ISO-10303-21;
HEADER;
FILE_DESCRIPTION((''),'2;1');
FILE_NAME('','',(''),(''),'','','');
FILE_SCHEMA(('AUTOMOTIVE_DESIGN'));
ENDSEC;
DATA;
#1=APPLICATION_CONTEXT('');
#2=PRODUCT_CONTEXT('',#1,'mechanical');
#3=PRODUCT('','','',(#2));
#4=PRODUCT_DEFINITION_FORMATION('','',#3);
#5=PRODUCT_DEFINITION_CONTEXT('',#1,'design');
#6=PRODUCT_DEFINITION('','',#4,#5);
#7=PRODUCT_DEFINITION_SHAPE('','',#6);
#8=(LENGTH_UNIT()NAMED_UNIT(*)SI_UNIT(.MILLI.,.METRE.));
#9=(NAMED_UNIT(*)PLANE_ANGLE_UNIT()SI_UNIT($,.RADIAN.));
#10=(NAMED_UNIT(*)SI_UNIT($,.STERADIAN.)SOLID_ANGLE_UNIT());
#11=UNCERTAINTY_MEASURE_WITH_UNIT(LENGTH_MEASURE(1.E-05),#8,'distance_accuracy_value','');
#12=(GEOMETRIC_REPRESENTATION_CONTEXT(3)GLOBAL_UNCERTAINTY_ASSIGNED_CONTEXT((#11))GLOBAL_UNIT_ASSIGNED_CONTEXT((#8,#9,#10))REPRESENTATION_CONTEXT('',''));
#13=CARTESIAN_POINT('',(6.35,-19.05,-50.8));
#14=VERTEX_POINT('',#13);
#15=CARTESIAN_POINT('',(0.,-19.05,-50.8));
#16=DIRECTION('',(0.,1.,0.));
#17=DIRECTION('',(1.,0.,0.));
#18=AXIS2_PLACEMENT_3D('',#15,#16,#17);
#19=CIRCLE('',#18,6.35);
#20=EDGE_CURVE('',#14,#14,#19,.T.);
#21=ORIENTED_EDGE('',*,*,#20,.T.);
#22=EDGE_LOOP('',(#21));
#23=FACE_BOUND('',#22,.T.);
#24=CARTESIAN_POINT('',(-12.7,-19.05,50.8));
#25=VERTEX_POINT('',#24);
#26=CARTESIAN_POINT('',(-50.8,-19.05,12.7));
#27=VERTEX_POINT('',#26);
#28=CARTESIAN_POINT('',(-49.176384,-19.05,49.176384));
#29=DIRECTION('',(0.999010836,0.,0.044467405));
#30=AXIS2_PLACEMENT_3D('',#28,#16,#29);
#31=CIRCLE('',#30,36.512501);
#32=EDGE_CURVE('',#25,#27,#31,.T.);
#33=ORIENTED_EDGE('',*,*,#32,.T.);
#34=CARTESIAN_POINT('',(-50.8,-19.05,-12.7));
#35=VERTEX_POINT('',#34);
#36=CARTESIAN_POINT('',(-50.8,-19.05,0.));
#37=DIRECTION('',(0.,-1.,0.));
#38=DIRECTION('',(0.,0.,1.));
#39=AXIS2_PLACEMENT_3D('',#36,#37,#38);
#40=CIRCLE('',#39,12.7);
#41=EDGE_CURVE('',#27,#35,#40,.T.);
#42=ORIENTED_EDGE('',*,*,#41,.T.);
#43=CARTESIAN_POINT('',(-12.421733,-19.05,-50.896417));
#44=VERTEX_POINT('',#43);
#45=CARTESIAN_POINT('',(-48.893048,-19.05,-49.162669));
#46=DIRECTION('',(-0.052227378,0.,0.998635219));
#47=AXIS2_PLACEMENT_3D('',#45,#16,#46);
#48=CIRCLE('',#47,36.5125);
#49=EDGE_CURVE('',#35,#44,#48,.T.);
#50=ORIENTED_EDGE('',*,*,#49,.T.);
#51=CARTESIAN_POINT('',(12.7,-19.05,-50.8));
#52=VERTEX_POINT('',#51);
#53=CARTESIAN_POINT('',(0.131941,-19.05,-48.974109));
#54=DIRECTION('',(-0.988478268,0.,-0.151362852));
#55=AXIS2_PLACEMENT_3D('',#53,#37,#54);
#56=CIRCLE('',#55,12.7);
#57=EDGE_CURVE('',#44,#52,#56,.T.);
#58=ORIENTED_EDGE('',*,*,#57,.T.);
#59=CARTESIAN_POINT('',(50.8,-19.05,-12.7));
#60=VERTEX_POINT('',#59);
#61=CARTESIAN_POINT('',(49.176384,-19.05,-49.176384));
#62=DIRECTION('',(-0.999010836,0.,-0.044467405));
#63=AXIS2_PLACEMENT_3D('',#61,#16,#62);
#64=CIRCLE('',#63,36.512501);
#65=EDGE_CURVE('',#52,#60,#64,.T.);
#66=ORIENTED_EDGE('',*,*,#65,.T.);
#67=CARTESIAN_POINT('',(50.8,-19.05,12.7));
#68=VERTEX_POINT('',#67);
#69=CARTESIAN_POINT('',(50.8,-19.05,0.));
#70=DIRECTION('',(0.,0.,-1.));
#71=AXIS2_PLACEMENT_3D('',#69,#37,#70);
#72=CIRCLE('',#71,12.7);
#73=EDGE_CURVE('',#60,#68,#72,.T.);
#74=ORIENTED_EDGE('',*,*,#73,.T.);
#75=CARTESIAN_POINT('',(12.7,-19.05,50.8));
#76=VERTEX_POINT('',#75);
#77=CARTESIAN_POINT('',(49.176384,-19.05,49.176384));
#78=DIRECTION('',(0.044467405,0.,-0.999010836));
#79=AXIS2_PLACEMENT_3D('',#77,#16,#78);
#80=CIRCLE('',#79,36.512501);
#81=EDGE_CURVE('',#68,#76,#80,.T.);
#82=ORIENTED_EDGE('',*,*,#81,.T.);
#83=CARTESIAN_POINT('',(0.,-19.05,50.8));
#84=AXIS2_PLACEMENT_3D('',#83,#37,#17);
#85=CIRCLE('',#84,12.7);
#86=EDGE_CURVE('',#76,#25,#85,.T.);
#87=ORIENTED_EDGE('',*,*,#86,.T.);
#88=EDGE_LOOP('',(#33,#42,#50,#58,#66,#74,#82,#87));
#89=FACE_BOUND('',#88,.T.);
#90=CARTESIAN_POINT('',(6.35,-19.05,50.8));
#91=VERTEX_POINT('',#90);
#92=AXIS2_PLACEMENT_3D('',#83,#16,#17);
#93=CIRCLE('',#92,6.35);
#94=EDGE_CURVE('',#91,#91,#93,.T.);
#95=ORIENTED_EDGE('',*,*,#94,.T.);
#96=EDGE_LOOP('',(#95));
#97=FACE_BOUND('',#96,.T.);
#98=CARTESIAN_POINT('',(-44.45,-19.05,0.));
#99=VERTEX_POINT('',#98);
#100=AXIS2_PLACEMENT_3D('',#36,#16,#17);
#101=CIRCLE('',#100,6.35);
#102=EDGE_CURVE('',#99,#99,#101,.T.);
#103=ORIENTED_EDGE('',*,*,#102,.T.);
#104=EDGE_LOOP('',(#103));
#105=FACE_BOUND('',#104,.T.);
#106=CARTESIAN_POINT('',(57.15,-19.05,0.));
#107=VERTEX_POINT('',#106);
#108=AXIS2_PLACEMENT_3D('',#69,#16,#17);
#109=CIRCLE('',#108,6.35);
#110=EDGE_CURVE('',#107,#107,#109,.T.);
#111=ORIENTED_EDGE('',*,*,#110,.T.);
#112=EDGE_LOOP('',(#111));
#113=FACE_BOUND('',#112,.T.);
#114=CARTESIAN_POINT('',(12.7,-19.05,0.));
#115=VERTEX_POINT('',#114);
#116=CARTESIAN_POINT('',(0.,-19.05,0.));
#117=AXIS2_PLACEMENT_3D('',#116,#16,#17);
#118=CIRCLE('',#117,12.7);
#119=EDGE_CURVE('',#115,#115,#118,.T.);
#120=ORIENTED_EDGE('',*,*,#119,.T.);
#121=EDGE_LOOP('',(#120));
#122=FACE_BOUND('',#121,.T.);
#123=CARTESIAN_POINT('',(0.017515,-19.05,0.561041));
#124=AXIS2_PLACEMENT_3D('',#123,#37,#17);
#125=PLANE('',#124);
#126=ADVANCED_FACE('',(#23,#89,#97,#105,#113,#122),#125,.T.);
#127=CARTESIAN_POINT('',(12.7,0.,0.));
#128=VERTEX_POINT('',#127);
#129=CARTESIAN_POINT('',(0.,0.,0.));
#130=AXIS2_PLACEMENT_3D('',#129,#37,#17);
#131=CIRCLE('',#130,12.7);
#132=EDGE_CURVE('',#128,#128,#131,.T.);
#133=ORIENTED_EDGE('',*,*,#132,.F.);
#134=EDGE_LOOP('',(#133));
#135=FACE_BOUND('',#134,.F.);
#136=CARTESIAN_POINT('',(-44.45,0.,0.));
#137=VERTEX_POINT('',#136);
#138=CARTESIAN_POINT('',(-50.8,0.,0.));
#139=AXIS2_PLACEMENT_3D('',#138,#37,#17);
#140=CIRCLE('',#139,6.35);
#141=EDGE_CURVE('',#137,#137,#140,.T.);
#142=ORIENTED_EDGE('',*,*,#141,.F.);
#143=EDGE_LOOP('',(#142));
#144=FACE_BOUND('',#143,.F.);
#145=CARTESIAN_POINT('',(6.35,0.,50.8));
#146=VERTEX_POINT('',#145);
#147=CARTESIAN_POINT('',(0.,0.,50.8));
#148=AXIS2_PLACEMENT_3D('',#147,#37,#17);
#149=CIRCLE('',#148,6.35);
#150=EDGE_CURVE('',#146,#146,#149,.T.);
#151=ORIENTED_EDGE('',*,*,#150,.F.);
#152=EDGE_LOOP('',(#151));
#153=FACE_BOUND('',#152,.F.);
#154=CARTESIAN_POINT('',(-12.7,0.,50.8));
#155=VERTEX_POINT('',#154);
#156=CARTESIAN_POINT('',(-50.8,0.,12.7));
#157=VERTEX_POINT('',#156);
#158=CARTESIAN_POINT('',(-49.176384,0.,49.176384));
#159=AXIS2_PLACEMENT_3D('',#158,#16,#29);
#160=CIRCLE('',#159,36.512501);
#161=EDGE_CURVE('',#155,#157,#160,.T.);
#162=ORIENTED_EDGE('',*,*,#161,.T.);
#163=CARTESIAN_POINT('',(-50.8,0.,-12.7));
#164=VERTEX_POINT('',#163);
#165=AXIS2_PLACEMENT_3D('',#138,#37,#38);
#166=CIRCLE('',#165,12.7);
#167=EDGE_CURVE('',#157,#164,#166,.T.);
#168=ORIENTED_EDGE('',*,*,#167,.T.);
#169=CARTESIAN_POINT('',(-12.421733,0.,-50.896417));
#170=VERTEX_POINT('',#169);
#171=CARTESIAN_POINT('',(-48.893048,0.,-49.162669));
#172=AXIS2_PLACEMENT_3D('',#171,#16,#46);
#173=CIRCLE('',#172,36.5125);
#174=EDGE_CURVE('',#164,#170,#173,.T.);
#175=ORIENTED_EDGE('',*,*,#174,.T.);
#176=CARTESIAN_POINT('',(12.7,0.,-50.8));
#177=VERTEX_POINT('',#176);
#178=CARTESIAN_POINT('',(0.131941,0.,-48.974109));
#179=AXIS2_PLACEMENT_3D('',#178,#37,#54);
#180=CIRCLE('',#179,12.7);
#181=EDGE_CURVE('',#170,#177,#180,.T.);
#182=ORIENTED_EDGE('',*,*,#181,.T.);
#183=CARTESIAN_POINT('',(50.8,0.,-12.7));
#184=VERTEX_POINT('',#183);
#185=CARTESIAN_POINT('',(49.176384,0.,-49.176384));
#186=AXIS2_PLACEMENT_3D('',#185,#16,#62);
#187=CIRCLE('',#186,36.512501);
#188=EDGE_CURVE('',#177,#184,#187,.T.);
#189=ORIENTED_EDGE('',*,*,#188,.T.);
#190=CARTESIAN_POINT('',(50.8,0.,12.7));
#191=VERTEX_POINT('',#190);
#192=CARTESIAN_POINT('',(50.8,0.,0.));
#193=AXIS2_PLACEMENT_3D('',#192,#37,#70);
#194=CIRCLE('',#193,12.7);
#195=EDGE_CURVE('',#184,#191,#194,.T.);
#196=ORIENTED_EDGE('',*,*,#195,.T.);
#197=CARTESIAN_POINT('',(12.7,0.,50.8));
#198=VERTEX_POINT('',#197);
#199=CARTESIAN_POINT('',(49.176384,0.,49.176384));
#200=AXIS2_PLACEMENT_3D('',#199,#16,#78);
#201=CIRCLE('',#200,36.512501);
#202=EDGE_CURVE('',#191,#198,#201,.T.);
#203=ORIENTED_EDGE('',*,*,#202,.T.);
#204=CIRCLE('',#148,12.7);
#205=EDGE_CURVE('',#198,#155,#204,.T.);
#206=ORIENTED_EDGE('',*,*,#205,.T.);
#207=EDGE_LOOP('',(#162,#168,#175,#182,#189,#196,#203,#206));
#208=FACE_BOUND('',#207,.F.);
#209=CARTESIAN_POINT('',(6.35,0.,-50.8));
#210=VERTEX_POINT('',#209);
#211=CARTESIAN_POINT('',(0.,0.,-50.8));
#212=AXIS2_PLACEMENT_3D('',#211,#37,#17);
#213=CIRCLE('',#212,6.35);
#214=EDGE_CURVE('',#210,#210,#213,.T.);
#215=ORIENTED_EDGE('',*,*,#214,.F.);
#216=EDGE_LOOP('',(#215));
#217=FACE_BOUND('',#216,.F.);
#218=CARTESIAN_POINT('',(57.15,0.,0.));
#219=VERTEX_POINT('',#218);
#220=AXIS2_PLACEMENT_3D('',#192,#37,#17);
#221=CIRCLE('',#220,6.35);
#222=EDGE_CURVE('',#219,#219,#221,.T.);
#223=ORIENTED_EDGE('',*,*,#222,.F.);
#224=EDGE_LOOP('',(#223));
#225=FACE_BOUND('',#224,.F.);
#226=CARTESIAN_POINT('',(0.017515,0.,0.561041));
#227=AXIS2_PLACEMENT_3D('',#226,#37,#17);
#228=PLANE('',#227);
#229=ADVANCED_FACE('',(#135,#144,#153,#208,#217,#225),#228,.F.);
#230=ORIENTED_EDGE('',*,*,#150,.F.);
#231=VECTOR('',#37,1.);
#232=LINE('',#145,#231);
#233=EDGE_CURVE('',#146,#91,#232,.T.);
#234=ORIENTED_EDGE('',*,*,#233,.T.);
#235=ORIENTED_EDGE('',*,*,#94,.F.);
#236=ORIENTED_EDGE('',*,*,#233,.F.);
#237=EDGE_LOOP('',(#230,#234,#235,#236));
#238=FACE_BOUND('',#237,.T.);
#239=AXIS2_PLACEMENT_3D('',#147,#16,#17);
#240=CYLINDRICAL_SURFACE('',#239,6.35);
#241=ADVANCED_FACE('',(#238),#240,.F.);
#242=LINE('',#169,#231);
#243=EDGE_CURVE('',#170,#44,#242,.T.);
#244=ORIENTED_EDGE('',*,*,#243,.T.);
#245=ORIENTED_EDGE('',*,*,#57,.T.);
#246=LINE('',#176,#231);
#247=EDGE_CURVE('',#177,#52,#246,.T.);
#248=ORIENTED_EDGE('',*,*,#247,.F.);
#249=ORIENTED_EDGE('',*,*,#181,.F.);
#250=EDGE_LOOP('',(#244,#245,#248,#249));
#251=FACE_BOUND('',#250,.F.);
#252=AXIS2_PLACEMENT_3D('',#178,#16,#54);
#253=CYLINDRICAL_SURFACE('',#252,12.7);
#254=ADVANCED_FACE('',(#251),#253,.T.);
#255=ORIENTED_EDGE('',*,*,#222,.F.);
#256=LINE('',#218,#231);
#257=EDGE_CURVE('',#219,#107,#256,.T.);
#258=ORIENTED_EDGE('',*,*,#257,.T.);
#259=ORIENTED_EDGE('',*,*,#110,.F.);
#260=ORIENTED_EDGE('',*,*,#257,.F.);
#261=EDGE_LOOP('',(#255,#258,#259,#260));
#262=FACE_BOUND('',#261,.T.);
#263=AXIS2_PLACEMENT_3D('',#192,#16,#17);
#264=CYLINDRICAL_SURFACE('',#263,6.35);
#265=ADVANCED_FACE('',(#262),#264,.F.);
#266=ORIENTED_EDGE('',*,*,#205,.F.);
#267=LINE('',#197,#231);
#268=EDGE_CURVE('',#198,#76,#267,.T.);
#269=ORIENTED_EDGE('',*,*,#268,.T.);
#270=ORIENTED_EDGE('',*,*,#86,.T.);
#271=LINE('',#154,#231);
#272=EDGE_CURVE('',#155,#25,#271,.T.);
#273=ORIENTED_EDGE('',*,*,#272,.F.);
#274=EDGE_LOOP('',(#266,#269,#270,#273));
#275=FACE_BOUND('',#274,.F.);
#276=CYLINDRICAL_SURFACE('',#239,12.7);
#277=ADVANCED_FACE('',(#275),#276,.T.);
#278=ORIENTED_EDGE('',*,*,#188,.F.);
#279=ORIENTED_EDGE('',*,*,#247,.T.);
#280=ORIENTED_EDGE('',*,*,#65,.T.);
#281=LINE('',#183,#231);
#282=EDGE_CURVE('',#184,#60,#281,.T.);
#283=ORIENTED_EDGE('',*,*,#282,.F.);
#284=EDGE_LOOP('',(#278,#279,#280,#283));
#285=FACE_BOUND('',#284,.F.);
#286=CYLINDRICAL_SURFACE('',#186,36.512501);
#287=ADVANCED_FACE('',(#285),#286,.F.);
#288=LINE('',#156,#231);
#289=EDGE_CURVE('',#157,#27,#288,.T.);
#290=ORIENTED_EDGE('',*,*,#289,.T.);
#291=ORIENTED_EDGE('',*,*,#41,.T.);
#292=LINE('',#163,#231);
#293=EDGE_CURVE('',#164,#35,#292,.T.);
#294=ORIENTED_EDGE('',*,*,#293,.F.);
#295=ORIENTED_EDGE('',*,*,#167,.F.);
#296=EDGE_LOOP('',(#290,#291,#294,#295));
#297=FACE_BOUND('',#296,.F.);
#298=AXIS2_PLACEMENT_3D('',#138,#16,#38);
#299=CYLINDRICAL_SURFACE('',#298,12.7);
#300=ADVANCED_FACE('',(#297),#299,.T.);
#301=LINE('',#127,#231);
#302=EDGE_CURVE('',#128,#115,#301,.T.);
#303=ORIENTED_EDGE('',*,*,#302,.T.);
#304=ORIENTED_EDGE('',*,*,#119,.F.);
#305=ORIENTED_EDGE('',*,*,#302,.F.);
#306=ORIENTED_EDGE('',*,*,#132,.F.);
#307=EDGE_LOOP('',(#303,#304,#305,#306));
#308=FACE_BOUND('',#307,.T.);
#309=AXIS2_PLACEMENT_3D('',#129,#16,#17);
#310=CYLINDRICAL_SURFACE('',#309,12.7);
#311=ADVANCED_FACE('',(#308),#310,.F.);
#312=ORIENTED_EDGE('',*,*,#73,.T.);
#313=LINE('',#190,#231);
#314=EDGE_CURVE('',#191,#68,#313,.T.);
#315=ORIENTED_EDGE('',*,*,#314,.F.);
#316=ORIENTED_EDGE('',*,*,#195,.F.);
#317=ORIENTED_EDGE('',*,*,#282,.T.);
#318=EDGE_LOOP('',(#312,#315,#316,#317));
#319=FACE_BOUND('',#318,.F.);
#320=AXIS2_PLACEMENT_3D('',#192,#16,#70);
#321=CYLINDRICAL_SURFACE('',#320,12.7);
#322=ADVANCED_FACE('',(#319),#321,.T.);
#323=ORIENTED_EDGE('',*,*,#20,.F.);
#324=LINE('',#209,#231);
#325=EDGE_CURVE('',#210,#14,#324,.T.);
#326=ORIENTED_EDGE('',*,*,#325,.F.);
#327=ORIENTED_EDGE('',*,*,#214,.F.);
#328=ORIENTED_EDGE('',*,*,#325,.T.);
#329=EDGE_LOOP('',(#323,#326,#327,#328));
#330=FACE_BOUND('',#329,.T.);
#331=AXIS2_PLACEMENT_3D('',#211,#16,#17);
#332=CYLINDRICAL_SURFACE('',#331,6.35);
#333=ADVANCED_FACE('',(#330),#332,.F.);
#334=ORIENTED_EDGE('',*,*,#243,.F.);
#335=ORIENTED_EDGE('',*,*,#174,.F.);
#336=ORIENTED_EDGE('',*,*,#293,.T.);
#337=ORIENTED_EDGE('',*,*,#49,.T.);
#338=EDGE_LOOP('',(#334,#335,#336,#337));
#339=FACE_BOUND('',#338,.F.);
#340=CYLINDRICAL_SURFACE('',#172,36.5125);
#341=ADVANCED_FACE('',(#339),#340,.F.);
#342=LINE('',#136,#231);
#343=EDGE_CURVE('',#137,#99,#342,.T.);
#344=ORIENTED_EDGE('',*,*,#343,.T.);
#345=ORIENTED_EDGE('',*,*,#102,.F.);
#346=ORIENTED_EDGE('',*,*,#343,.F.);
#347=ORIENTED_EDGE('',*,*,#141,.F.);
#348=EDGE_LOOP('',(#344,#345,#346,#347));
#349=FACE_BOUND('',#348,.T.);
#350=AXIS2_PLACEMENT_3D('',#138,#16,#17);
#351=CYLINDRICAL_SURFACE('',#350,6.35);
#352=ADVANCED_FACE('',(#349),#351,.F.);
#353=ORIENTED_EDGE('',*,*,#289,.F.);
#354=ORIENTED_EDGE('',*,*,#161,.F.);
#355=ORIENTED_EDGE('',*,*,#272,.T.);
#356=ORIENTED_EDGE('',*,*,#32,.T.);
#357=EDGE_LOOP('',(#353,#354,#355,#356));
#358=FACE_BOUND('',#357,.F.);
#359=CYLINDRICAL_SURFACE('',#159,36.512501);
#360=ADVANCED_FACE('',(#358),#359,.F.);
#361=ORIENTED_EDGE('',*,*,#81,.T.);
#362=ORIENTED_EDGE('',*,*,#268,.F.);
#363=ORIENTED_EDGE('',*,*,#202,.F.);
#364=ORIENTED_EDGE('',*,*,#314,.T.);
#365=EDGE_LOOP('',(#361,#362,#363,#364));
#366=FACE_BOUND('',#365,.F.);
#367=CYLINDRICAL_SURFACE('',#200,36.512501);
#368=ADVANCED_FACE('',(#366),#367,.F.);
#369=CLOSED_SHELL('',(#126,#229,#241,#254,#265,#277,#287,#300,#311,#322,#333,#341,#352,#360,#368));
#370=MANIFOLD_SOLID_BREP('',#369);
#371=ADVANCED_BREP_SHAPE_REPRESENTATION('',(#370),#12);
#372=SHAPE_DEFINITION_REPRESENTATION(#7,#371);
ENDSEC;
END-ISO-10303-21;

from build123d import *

# Parameters (mm, degrees)
F1_DEPTH = 19.05
F2_R     = 6.35
F2_R_2   = 12.7
F3_DEPTH = 50.8


with BuildPart() as f1:
    # F0 (on Front) → F1 (new body)
    with BuildSketch(Plane.XZ):
        with BuildLine():
            ThreePointArc((-12.7, 50.8), (-23.358147, 23.358147), (-50.8, 12.7))
            ThreePointArc((-50.8, 12.7), (-63.5, 0), (-50.8, -12.7))
            ThreePointArc((-50.8, -12.7), (-23.136197, -23.283192), (-12.421733, -50.896417))
            ThreePointArc((-12.421733, -50.896417), (0.180683, -61.674015), (12.7, -50.8))
            ThreePointArc((12.7, -50.8), (23.358147, -23.358147), (50.8, -12.7))
            ThreePointArc((50.8, -12.7), (63.5, 0), (50.8, 12.7))
            ThreePointArc((50.8, 12.7), (23.358147, 23.358147), (12.7, 50.8))
            ThreePointArc((12.7, 50.8), (0, 63.5), (-12.7, 50.8))
        make_face()
    extrude(amount=F1_DEPTH)

    # F2 (on Front) → F3 (cut)
    with BuildSketch(Plane.XZ):
        with Locations((0, 50.8)):
            Circle(F2_R)
        with Locations((50.8, 0)):
            Circle(F2_R)
        with Locations((0, -50.8)):
            Circle(F2_R)
        with Locations((-50.8, 0)):
            Circle(F2_R)
        Circle(F2_R_2)
    extrude(amount=F3_DEPTH, mode=Mode.SUBTRACT)


solid = f1.part
